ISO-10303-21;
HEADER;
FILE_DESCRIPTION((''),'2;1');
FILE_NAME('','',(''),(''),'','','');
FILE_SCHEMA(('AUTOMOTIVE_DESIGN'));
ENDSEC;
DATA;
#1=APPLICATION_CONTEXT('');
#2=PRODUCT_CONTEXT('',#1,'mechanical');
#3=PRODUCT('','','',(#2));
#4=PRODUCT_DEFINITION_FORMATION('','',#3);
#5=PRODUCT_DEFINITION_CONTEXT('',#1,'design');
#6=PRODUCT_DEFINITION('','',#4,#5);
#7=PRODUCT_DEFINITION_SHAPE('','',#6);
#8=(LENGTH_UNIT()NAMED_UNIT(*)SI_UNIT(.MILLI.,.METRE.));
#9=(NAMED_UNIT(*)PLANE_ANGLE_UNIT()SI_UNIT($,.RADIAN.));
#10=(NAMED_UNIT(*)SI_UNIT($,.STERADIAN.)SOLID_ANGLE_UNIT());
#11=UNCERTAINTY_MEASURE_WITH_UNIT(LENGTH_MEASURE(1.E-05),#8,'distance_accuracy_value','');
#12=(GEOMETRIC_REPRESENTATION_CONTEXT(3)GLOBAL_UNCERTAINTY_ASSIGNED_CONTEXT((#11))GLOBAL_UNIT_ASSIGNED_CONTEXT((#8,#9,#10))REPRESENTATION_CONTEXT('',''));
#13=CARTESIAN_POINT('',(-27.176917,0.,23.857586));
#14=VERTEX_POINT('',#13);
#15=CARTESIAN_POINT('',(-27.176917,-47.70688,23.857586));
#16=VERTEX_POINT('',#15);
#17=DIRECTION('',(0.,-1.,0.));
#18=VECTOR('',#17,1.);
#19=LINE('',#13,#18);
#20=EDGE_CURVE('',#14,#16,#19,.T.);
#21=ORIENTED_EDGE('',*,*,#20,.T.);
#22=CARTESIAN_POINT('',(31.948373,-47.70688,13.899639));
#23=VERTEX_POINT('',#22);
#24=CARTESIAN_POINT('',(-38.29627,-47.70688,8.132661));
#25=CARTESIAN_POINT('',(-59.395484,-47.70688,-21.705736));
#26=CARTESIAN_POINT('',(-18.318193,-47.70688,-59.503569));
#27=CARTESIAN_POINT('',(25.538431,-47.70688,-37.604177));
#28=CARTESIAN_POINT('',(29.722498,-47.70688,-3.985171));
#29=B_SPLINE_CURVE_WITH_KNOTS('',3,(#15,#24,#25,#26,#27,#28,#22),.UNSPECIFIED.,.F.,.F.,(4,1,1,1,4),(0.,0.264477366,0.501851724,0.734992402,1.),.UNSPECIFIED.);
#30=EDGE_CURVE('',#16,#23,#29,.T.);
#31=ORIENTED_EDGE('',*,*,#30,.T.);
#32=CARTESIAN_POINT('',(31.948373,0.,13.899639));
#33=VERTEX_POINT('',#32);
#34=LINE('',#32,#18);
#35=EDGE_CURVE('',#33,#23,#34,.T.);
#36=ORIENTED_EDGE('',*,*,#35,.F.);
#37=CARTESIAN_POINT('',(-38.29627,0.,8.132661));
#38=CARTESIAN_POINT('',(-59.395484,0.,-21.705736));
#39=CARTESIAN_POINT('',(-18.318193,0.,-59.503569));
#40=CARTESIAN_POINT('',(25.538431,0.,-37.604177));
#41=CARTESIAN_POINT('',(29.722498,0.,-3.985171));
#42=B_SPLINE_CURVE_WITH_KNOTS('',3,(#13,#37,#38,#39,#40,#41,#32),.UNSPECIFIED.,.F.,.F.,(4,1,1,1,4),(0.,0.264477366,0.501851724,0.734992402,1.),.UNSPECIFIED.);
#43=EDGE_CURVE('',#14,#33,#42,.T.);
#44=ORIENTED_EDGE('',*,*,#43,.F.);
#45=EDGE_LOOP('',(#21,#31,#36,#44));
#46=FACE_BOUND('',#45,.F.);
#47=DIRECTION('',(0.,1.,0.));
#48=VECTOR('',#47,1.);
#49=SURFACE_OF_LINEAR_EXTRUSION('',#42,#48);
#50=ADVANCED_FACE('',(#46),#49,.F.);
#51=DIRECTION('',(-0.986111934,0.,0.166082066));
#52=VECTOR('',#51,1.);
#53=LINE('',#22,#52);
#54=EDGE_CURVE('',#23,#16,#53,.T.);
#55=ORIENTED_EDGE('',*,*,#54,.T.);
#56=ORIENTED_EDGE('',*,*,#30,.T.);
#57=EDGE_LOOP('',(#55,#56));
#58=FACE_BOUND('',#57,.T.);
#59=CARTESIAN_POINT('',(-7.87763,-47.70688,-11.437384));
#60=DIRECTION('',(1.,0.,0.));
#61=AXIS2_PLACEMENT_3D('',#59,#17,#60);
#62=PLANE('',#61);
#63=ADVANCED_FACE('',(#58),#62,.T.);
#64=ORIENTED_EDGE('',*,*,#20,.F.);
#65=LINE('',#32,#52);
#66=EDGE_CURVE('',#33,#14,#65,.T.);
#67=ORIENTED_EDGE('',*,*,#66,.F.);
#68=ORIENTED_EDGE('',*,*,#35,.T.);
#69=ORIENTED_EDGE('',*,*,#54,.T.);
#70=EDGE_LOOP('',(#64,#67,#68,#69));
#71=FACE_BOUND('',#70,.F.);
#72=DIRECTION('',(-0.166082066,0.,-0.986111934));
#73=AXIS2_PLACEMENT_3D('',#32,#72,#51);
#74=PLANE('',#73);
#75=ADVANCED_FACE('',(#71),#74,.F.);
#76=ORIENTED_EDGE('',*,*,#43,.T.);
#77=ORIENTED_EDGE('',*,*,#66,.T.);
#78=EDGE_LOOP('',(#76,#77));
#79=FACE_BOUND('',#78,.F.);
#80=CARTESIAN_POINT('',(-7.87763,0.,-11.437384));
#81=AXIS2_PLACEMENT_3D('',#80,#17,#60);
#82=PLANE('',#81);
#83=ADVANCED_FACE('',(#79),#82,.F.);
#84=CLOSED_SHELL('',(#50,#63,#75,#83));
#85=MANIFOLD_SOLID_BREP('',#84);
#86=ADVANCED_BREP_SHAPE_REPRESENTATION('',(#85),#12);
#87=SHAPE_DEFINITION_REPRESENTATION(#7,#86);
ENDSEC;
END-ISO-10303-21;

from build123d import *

# Parameters (mm, degrees)
F1_DEPTH = 47.7068796754


with BuildPart() as f1:
    # F0 (on Front) → F1 (new body)
    with BuildSketch(Plane.XZ):
        with BuildLine():
            Line((31.9483727217, 13.8996392488), (-27.1769165993, 23.8575860858))
            add(Edge.make_bspline(
                [(-27.1769165993, 23.8575860858), (-38.2962703009, 8.1326606774), (-59.3954840546, -21.7057357162), (-18.3181933176, -59.503568751), (25.5384308076, -37.6041773032), (29.7224976254, -3.9851710595), (31.9483727217, 13.8996392488)],
                knots=[0, 0, 0, 0, 0.2644773658, 0.5018517236, 0.7349924025, 1, 1, 1, 1], degree=3))
        make_face()
    extrude(amount=F1_DEPTH)


solid = f1.part
